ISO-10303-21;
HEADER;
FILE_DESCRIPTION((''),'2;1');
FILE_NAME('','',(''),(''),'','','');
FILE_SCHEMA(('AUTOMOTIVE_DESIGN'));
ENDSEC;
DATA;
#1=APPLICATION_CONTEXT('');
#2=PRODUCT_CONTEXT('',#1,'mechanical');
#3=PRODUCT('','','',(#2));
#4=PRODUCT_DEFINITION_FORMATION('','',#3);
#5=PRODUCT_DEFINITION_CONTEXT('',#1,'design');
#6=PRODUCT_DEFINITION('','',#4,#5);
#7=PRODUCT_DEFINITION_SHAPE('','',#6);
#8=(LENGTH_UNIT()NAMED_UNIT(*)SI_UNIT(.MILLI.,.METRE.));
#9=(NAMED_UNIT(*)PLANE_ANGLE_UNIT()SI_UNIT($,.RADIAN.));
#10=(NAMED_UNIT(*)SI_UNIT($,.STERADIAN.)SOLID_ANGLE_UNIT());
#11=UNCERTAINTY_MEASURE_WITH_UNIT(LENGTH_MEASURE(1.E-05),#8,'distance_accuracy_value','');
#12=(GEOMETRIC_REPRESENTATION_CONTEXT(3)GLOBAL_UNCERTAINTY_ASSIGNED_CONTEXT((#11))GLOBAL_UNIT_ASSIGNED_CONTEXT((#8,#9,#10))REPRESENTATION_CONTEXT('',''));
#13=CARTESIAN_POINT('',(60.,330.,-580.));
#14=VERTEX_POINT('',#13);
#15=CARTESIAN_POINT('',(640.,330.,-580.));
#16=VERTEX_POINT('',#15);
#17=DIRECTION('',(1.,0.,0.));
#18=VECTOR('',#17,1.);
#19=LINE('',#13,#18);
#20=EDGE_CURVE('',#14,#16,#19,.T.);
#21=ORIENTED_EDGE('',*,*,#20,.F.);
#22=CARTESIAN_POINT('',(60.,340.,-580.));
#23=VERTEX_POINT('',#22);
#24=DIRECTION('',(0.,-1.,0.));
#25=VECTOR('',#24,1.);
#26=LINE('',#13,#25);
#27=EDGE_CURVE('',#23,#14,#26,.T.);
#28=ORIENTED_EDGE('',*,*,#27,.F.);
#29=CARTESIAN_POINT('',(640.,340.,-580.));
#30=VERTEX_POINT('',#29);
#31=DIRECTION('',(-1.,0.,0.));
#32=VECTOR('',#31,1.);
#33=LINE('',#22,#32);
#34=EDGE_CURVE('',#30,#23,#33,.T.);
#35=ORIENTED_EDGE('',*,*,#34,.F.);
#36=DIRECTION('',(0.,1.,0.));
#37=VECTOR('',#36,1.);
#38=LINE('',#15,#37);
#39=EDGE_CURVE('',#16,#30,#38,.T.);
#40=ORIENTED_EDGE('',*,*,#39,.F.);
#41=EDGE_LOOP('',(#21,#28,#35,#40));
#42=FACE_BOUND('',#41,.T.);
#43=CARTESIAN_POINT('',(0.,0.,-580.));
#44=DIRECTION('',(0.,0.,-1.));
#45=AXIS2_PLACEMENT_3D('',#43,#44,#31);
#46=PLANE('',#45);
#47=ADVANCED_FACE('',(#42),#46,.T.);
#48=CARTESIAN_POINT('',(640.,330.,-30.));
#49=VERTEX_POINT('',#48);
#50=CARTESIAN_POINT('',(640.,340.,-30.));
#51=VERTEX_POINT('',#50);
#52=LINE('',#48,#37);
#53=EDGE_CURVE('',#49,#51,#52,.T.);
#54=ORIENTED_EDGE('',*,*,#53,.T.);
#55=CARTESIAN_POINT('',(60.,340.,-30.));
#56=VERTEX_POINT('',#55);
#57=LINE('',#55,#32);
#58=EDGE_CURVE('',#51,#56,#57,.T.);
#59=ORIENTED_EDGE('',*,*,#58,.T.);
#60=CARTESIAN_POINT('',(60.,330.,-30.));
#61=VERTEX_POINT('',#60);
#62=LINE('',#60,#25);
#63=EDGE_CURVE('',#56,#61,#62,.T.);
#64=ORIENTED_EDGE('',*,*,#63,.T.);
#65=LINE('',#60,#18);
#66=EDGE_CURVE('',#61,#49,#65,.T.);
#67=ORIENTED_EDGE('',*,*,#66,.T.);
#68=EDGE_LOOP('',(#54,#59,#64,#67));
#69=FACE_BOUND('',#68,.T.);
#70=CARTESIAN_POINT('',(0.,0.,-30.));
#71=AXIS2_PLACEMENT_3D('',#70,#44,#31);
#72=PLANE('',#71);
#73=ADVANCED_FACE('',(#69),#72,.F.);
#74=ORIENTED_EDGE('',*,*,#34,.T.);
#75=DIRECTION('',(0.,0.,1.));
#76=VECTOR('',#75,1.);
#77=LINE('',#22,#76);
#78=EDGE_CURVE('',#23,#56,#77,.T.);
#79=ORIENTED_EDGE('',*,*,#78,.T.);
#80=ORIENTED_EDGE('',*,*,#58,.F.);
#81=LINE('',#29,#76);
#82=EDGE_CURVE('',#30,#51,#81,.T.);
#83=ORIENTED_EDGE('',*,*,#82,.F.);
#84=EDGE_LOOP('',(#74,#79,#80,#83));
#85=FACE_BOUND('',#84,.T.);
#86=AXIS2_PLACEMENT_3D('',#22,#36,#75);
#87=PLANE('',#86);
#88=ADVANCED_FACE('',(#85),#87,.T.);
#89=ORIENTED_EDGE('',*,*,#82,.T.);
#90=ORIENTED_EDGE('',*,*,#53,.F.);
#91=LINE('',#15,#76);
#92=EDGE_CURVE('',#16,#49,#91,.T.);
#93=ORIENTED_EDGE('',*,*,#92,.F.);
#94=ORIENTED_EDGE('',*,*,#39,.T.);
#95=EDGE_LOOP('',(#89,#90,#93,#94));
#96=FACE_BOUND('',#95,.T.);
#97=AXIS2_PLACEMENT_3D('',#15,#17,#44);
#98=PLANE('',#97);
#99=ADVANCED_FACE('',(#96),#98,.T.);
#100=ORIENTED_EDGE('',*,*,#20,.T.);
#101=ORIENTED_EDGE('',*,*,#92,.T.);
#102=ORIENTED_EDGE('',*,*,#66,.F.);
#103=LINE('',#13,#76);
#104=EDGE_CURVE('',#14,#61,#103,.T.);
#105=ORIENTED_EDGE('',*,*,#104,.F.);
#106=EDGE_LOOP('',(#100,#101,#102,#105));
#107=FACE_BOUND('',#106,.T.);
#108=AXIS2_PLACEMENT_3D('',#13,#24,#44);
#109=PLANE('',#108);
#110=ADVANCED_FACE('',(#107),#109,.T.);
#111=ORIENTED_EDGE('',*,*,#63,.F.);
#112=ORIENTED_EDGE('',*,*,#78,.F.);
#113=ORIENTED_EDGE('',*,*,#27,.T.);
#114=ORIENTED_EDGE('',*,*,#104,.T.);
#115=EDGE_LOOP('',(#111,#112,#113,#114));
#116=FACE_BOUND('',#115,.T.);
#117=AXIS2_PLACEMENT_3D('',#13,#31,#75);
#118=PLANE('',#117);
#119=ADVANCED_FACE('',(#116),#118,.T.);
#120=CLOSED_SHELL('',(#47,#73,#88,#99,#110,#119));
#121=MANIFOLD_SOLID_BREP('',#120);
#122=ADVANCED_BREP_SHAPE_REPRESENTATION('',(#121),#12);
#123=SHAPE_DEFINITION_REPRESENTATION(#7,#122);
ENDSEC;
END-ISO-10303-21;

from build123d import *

# Parameters (mm, degrees)
OVEN_KESME_ZEMIN_PLAKASI_1_START = -30
SKETCH1_W                        = 580
SKETCH1_H                        = 10
OVEN_KESME_ZEMIN_PLAKASI_1_DEPTH = 550


with BuildPart() as part:
    # Sketch1 → OVEN_kesme_zemin_plakasi_1 (new body)
    with BuildSketch(Plane.XY.offset(OVEN_KESME_ZEMIN_PLAKASI_1_START)):
        with Locations((350, 335)):
            Rectangle(SKETCH1_W, SKETCH1_H)
    extrude(amount=-OVEN_KESME_ZEMIN_PLAKASI_1_DEPTH)


solid = part.part
